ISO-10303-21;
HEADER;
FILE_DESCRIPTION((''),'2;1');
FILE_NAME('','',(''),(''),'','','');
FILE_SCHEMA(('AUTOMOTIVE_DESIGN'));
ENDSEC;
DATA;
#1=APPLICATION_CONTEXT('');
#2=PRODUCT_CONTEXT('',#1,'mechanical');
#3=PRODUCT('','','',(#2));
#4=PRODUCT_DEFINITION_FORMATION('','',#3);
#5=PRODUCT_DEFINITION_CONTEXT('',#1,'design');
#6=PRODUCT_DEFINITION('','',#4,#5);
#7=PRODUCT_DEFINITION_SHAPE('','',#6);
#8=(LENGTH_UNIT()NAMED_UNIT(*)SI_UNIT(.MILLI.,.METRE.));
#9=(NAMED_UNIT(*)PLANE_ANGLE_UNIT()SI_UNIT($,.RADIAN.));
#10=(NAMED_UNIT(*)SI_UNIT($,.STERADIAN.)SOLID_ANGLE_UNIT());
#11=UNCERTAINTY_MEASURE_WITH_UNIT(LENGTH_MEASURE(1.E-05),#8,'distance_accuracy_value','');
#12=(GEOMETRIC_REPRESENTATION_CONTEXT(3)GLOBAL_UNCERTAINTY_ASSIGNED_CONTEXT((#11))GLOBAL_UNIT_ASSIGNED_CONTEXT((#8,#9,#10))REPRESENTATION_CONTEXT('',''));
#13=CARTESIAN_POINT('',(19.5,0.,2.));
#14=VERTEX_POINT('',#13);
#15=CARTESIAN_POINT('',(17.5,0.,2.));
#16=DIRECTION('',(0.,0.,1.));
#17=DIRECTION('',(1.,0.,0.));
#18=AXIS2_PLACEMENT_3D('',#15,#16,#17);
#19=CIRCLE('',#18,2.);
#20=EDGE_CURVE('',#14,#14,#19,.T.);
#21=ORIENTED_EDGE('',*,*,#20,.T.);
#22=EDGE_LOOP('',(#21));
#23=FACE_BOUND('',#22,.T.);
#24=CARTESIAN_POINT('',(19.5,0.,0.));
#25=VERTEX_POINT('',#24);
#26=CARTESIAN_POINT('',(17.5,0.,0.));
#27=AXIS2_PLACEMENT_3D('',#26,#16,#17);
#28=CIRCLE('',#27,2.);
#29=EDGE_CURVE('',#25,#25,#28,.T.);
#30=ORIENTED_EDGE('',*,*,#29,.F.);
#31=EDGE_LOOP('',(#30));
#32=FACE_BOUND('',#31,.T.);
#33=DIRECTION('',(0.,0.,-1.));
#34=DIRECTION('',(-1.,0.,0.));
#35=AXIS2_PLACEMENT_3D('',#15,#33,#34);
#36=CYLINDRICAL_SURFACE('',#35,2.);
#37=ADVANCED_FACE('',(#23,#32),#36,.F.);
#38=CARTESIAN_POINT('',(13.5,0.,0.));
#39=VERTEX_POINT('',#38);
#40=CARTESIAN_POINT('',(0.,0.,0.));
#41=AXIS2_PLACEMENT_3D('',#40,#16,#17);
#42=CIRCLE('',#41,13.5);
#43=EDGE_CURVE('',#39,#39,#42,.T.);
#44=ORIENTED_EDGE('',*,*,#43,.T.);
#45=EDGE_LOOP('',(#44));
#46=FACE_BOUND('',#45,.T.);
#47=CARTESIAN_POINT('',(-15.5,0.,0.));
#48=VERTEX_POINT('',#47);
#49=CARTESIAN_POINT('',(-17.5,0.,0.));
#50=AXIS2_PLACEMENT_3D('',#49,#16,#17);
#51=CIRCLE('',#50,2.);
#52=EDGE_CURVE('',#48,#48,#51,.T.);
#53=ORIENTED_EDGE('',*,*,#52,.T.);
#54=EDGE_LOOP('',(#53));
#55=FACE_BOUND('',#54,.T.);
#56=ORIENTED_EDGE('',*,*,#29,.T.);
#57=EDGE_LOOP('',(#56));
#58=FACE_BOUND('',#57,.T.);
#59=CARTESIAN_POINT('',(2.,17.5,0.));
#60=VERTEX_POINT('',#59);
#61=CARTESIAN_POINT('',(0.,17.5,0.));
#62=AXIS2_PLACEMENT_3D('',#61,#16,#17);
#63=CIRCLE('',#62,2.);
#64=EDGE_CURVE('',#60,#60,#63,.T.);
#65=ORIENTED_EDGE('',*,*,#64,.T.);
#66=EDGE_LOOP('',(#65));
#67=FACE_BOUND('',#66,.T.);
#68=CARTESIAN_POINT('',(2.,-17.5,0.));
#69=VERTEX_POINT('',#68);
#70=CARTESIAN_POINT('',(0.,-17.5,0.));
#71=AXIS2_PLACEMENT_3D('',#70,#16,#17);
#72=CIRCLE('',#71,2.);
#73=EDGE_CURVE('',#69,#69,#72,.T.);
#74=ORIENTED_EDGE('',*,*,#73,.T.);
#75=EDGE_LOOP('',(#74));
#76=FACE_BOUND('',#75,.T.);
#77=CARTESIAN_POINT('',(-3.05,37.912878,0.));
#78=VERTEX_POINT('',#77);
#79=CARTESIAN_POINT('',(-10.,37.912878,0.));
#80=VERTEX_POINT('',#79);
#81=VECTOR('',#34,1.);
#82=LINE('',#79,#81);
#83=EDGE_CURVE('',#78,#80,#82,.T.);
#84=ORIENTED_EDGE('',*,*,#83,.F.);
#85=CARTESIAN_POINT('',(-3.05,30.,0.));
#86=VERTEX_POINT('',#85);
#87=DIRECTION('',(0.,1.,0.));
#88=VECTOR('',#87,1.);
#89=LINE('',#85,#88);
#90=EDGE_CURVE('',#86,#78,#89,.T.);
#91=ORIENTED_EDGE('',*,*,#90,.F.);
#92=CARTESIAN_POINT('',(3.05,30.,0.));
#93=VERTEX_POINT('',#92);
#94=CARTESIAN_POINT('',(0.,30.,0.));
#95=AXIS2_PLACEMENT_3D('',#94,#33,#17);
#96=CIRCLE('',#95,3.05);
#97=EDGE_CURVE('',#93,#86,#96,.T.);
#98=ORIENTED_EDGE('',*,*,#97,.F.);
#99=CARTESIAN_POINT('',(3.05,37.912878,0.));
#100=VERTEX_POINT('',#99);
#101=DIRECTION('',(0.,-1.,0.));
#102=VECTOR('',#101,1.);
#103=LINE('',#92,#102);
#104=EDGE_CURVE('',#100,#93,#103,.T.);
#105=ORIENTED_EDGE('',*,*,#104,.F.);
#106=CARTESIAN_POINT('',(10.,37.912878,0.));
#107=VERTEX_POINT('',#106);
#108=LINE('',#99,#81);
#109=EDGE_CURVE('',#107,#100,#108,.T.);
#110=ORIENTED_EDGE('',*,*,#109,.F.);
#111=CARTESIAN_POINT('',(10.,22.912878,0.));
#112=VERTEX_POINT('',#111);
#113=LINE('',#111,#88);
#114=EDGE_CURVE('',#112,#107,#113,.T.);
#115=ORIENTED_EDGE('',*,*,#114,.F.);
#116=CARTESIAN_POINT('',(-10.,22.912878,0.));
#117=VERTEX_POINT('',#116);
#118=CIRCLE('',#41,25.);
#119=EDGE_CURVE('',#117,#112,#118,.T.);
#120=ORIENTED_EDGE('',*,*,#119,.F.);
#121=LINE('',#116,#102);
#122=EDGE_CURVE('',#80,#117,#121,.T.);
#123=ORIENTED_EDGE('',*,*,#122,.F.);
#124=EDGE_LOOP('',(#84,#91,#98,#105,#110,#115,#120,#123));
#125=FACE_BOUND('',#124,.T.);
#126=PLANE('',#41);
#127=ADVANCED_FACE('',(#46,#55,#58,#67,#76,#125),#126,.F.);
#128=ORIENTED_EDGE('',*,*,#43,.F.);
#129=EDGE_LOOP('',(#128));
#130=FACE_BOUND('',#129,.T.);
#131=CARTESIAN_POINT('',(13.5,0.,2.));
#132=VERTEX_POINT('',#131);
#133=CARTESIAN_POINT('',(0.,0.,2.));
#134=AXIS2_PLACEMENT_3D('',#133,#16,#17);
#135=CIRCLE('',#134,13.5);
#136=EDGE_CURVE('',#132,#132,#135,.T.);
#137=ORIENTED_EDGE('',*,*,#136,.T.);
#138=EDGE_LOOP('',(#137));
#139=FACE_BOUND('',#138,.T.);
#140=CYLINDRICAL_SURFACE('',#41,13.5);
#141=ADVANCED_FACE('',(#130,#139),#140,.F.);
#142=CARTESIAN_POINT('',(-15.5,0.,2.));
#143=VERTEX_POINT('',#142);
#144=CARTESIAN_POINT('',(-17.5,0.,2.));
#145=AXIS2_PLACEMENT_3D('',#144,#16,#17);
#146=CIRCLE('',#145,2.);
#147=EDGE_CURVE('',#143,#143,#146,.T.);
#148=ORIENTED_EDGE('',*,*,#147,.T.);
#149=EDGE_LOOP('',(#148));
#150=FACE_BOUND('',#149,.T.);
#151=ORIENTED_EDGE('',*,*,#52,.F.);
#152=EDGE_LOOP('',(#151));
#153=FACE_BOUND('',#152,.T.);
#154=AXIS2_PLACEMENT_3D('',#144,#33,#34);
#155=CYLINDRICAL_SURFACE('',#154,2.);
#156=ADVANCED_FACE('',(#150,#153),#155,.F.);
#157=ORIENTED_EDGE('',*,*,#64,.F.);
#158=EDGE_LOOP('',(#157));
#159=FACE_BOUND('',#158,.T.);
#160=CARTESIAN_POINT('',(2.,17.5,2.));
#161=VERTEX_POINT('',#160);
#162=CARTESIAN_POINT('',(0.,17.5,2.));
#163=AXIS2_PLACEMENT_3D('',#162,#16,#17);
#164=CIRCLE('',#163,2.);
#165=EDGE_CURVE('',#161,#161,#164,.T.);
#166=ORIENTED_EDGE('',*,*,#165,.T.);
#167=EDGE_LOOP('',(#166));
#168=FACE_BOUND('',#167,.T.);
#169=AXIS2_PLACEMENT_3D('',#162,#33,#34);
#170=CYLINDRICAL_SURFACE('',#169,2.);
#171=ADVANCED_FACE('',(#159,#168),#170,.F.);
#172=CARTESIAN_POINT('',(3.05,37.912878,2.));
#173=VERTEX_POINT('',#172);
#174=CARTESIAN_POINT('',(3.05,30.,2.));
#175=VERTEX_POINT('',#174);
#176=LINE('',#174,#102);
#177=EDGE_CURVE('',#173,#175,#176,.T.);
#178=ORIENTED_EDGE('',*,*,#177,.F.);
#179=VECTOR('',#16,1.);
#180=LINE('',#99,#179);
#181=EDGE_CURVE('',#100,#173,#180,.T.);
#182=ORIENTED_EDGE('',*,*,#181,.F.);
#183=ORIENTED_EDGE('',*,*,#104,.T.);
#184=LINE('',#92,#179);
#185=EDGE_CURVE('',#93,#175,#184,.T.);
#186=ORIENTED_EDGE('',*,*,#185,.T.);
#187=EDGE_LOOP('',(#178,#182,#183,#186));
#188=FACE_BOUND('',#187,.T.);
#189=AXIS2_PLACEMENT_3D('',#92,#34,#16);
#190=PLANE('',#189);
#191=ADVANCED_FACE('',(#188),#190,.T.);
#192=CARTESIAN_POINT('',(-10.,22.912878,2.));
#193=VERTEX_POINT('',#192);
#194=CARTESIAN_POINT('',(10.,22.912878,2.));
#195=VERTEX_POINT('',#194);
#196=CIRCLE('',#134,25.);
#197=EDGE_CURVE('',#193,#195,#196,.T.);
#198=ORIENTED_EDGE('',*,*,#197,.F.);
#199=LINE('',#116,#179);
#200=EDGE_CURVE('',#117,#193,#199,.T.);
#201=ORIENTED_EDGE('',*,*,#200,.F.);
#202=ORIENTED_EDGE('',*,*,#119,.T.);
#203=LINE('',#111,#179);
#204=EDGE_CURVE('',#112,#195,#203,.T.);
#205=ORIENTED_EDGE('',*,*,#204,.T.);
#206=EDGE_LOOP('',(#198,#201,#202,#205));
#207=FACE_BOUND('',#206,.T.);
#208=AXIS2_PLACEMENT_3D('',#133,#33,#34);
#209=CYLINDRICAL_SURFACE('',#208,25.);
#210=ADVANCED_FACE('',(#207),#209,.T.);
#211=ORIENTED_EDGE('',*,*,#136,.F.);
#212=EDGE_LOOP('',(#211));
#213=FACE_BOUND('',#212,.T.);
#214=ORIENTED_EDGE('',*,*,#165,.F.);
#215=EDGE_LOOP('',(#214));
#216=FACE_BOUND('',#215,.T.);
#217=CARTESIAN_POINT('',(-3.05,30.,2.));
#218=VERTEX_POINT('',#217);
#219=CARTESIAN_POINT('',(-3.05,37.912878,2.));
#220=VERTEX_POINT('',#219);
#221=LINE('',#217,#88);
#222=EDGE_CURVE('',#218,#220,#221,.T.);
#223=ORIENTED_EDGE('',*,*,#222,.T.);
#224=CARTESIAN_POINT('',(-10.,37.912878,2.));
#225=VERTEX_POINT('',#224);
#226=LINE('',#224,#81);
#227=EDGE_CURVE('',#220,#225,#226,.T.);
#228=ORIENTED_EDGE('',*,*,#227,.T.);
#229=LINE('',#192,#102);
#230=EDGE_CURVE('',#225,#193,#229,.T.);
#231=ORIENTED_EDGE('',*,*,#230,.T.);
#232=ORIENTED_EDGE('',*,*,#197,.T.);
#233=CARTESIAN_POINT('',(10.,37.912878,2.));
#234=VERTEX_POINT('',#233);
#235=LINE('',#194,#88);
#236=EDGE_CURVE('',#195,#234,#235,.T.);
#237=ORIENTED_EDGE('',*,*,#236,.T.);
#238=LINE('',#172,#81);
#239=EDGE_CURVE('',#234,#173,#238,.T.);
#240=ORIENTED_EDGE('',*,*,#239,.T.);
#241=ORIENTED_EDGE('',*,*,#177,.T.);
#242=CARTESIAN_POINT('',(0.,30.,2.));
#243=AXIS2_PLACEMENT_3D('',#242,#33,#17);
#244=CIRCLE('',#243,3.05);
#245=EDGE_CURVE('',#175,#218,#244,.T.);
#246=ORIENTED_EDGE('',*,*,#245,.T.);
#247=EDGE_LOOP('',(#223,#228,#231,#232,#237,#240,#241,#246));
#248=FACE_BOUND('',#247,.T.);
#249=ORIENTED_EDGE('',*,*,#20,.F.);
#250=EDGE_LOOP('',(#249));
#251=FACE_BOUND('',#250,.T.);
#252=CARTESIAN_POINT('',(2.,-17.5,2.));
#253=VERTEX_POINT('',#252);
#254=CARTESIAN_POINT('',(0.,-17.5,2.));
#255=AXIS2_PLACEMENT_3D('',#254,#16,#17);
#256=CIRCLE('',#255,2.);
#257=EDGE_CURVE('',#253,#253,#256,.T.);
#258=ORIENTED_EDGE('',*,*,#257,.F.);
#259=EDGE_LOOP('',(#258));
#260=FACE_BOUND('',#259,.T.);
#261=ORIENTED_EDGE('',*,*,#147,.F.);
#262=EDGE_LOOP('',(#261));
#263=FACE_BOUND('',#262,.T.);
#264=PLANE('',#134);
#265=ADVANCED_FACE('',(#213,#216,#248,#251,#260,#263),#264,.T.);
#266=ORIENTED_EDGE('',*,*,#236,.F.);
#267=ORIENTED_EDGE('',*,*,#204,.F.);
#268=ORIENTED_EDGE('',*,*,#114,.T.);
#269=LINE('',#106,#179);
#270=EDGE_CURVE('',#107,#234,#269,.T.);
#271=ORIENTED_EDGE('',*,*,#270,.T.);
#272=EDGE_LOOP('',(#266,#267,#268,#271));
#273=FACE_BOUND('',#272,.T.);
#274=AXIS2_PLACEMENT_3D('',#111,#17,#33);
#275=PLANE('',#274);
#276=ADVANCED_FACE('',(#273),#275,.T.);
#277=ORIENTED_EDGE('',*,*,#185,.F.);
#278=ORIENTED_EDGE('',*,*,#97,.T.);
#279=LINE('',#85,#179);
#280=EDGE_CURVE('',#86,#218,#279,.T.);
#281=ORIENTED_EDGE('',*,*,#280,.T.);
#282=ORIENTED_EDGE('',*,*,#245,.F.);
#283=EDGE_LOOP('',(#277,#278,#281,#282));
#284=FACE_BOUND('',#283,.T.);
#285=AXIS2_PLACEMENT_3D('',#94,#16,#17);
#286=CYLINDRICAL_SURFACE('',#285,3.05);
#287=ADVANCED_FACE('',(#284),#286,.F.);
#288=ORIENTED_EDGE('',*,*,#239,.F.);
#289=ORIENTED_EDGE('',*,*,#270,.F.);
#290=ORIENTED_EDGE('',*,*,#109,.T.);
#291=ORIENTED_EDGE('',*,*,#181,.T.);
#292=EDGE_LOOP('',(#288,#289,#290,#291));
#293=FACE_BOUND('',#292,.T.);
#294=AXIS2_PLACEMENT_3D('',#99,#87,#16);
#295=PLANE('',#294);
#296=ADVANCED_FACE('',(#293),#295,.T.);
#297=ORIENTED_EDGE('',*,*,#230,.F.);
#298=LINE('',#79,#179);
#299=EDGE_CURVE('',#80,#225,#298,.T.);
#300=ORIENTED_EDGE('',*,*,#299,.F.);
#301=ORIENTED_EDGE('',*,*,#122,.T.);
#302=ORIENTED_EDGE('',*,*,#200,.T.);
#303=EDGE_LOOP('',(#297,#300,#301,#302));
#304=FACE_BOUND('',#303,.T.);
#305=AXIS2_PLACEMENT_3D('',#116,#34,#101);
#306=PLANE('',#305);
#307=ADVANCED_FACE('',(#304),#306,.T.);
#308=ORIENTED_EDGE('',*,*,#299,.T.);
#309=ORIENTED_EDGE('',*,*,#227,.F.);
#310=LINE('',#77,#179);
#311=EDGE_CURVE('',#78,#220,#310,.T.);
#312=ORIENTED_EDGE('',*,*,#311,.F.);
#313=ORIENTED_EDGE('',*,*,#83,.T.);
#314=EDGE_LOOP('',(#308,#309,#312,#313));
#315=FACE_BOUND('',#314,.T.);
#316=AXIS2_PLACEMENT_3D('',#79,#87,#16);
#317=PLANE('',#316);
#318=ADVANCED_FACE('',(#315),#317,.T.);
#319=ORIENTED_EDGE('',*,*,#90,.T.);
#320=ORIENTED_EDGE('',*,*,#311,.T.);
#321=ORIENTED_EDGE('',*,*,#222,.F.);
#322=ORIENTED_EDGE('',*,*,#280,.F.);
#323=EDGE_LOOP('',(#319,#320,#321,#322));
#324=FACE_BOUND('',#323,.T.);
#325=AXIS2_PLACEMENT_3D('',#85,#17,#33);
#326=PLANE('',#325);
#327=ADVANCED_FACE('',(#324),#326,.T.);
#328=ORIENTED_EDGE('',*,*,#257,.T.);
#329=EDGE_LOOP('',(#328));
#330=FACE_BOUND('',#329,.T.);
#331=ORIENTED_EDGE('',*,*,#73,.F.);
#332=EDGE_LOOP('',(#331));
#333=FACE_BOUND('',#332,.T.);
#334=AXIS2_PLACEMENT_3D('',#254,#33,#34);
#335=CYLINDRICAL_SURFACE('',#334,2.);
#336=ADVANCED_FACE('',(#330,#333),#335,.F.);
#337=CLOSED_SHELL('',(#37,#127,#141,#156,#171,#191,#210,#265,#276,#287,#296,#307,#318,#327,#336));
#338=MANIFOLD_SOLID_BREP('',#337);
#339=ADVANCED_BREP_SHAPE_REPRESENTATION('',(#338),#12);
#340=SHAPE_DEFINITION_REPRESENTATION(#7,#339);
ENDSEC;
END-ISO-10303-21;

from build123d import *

# Parameters (mm, degrees)
SKETCH_1_R          = 25
SKETCH_1_R_2        = 2
EXTRUDE_1_DEPTH     = 2
EXTRUDE_START       = -2
EXTRUDE_2_DEPTH     = 2
SKETCH_3_R          = 13.5
CUT_EXTRUDE_1_DEPTH = 2


with BuildPart() as part:
    # 草图1 → 凸台-拉伸1 (new body)
    with BuildSketch(Plane.XY):
        Circle(SKETCH_1_R)
        with Locations((0, 17.5)):
            Circle(SKETCH_1_R_2, mode=Mode.SUBTRACT)
        with Locations((17.5, 0)):
            Circle(SKETCH_1_R_2, mode=Mode.SUBTRACT)
        with Locations((0, -17.5)):
            Circle(SKETCH_1_R_2, mode=Mode.SUBTRACT)
        with Locations((-17.5, 0)):
            Circle(SKETCH_1_R_2, mode=Mode.SUBTRACT)
    extrude(amount=EXTRUDE_1_DEPTH)

    # 草图2 → 凸台-拉伸2 (add)
    with BuildSketch(Plane.XY.offset(2).offset(EXTRUDE_START)):
        with BuildLine():
            Line((-10, 22.912878475), (-10, 37.912878475))
            Line((-10, 37.912878475), (-3.05, 37.912878475))
            Line((-3.05, 37.912878475), (-3.05, 30))
            ThreePointArc((-3.05, 30), (0, 26.95), (3.05, 30))
            Line((3.05, 30), (3.05, 37.912878475))
            Line((3.05, 37.912878475), (10, 37.912878475))
            Line((10, 37.912878475), (10, 22.912878475))
            ThreePointArc((10, 22.912878475), (0, 25), (-10, 22.912878475))
        make_face()
    extrude(amount=EXTRUDE_2_DEPTH)

    # 草图3 → 切除-拉伸1 (cut)
    with BuildSketch(Plane.XY.offset(2)):
        Circle(SKETCH_3_R)
    extrude(amount=-CUT_EXTRUDE_1_DEPTH, mode=Mode.SUBTRACT)


solid = part.part
